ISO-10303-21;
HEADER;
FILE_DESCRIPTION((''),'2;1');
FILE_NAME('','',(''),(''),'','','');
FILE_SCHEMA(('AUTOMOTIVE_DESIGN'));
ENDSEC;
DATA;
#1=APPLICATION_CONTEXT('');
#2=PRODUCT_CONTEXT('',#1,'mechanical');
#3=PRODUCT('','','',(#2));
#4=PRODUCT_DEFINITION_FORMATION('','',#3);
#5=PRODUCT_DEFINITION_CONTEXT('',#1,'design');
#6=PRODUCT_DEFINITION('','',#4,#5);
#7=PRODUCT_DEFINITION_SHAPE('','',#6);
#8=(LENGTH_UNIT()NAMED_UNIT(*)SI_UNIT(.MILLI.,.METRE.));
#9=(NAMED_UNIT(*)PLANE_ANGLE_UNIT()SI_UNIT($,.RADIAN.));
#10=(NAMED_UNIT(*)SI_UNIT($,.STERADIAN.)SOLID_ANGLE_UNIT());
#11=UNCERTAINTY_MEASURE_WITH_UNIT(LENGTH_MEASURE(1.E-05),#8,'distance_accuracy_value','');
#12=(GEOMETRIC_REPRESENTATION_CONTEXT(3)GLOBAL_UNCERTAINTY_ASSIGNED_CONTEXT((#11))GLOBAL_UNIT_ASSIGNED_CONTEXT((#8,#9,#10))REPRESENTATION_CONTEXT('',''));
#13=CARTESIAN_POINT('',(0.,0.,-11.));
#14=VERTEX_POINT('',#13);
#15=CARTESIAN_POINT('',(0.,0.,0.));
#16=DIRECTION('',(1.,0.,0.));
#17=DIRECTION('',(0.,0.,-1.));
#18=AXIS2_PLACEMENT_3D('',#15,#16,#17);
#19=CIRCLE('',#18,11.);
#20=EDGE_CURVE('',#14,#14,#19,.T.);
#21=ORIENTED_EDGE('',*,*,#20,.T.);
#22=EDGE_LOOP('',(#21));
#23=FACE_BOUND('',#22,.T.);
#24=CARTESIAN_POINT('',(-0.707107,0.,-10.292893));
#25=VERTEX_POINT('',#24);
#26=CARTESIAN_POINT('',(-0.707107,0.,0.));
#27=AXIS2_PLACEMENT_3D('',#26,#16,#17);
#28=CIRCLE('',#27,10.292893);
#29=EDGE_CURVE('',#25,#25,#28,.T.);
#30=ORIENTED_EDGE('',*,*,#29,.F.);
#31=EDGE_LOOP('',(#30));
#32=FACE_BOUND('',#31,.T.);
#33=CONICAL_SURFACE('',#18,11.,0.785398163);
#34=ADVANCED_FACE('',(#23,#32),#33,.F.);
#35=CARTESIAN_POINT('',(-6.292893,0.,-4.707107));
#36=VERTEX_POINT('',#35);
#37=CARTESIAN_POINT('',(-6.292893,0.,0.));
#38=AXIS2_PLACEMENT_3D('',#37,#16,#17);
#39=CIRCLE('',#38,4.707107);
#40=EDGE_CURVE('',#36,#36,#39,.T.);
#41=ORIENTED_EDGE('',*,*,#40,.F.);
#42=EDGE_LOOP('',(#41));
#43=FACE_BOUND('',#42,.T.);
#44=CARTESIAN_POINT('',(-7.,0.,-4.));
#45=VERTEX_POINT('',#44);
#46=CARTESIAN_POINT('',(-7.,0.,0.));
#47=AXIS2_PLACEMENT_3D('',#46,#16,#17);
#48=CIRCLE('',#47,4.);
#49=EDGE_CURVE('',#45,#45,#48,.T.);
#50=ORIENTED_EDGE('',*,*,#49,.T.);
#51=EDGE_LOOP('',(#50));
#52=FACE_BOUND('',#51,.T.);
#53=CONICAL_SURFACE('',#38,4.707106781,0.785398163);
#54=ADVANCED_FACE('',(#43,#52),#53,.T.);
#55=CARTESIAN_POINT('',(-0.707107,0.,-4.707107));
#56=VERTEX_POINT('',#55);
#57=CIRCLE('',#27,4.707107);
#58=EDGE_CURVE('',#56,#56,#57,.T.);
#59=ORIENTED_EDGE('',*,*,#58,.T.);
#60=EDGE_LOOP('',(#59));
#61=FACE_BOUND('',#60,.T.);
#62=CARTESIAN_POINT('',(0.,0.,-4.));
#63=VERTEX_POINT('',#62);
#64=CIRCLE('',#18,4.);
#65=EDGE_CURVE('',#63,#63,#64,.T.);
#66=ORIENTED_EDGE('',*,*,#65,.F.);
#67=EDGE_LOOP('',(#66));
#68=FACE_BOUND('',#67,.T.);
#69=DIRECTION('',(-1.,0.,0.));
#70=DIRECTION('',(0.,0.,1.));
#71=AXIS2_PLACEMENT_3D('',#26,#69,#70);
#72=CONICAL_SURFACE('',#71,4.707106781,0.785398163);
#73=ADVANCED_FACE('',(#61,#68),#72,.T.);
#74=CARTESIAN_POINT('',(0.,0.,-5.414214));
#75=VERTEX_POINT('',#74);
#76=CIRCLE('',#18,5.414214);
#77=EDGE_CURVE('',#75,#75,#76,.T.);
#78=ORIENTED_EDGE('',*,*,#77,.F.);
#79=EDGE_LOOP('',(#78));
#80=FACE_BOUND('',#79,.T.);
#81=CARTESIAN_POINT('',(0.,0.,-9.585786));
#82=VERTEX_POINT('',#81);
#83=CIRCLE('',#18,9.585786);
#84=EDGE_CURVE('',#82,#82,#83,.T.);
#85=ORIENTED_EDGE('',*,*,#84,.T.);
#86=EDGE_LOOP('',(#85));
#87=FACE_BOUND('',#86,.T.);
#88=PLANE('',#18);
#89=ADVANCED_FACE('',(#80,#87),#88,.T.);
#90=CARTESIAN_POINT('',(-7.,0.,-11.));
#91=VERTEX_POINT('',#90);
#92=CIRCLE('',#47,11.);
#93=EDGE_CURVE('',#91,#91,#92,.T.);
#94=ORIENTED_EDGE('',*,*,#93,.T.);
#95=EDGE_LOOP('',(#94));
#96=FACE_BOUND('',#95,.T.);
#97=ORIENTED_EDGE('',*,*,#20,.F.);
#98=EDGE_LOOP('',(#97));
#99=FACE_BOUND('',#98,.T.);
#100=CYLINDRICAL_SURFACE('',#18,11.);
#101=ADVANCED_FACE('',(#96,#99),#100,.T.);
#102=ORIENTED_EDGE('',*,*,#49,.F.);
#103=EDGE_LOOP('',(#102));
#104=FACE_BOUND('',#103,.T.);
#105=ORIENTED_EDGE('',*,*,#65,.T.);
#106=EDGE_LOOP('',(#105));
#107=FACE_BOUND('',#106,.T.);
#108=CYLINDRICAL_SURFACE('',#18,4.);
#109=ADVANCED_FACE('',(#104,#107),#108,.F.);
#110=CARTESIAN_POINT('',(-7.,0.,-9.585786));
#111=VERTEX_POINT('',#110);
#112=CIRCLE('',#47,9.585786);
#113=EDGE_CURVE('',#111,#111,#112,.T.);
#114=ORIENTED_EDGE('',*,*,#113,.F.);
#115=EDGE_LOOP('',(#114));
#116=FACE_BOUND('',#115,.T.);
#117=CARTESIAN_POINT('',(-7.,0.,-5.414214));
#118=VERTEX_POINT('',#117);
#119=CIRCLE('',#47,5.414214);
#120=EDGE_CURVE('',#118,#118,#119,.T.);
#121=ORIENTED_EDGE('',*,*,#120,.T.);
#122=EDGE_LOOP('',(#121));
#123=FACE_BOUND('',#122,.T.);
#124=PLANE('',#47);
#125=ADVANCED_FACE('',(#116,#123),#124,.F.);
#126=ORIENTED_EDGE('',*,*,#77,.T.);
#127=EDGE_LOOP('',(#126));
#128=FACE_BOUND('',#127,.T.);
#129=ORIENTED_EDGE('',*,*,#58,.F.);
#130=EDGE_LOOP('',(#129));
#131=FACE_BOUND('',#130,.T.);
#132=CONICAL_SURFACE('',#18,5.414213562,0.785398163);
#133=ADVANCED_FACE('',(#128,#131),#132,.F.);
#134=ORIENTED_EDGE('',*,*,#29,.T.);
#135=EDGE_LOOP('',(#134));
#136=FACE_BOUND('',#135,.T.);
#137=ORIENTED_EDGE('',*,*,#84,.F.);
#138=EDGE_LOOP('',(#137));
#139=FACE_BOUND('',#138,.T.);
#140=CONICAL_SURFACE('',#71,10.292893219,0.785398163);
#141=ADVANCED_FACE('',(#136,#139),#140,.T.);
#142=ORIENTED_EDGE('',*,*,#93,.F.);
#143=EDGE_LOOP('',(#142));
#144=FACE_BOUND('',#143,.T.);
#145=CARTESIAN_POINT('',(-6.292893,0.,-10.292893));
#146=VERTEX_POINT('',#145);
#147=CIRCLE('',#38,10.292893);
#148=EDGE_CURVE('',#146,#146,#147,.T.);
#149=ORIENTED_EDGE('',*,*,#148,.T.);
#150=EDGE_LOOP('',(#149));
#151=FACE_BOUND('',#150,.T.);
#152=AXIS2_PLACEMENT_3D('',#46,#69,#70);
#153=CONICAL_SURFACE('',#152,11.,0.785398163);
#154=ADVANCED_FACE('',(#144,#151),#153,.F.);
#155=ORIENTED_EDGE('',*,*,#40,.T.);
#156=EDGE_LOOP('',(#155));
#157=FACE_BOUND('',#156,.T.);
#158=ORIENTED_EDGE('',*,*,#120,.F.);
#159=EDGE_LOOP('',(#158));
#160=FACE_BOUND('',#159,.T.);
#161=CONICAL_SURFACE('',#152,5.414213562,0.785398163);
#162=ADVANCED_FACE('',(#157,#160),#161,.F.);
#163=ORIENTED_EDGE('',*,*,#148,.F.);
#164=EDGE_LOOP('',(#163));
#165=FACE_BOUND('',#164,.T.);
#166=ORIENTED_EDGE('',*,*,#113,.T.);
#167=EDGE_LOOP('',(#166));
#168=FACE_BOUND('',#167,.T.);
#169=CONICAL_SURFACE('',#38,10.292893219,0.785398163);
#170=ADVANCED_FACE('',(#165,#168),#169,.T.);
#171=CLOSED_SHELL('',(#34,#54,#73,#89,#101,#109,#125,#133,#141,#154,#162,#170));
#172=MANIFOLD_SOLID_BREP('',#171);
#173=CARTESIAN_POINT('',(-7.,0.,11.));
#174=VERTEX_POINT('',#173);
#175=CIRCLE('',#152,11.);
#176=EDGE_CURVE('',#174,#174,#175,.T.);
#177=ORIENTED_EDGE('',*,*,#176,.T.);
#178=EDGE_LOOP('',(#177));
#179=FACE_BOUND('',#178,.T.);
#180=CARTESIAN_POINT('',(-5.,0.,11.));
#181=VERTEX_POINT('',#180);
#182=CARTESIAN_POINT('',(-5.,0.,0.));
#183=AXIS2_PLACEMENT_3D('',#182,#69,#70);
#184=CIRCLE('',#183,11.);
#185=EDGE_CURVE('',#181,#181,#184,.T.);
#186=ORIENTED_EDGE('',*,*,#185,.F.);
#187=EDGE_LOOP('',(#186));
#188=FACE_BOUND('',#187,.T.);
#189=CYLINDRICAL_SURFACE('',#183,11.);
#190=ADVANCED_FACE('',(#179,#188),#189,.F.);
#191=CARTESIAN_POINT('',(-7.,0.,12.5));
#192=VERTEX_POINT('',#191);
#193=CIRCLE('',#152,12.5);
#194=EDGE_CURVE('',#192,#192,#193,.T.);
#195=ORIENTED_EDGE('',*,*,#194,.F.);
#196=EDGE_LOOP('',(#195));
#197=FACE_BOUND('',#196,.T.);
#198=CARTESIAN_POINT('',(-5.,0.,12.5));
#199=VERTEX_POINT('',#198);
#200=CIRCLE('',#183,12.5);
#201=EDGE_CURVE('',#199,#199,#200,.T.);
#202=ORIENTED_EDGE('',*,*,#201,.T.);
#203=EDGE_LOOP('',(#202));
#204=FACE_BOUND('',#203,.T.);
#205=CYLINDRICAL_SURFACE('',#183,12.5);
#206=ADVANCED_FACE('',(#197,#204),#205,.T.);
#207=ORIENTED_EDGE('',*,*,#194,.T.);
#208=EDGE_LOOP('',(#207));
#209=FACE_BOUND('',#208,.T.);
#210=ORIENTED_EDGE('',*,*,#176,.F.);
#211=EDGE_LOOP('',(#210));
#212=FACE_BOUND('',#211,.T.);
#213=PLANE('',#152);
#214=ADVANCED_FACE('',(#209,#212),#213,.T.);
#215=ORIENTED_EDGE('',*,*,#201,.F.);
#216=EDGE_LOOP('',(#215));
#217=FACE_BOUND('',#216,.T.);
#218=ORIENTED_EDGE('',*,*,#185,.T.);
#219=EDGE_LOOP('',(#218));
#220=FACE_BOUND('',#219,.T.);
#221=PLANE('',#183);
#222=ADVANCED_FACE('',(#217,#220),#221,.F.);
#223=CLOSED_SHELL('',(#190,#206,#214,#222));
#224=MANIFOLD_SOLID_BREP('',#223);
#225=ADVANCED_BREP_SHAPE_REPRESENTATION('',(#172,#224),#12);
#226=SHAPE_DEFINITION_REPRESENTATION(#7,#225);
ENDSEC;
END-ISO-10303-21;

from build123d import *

# Parameters (mm, degrees)
SKETCH_2_R      = 12.5
SKETCH_2_R_2    = 11
EXTRUDE_1_DEPTH = 2


with BuildPart() as part:
    # 草图1 → 旋转1 (revolve)
    with BuildSketch(Plane(origin=(0, 0, 0), x_dir=(1, 0, 0), z_dir=(0, 1, 0)), mode=Mode.PRIVATE) as revolve_1_sk:
        Polygon((0, -4), (-7, -4), (-6.292893219, -4.707106781), (-7, -5.414213562), (-7, -9.585786438), (-6.292893219, -10.292893219), (-7, -11), (0, -11), (-0.707106781, -10.292893219), (0, -9.585786438), (0, -5.414213562), (-0.707106781, -4.707106781), align=None)
    revolve(revolve_1_sk.sketch.rotate(Axis((0, 0, 0), (-1, 0, 0)), 180), axis=Axis((0, 0, 0), (-1, 0, 0)))


with BuildPart() as body_2:
    # 草图2 → 凸台-拉伸1 (new body)
    with BuildSketch(Plane.ZY.offset(7)):
        Circle(SKETCH_2_R)
        Circle(SKETCH_2_R_2, mode=Mode.SUBTRACT)
    extrude(amount=-EXTRUDE_1_DEPTH)


solid = Compound([part.part, body_2.part])
